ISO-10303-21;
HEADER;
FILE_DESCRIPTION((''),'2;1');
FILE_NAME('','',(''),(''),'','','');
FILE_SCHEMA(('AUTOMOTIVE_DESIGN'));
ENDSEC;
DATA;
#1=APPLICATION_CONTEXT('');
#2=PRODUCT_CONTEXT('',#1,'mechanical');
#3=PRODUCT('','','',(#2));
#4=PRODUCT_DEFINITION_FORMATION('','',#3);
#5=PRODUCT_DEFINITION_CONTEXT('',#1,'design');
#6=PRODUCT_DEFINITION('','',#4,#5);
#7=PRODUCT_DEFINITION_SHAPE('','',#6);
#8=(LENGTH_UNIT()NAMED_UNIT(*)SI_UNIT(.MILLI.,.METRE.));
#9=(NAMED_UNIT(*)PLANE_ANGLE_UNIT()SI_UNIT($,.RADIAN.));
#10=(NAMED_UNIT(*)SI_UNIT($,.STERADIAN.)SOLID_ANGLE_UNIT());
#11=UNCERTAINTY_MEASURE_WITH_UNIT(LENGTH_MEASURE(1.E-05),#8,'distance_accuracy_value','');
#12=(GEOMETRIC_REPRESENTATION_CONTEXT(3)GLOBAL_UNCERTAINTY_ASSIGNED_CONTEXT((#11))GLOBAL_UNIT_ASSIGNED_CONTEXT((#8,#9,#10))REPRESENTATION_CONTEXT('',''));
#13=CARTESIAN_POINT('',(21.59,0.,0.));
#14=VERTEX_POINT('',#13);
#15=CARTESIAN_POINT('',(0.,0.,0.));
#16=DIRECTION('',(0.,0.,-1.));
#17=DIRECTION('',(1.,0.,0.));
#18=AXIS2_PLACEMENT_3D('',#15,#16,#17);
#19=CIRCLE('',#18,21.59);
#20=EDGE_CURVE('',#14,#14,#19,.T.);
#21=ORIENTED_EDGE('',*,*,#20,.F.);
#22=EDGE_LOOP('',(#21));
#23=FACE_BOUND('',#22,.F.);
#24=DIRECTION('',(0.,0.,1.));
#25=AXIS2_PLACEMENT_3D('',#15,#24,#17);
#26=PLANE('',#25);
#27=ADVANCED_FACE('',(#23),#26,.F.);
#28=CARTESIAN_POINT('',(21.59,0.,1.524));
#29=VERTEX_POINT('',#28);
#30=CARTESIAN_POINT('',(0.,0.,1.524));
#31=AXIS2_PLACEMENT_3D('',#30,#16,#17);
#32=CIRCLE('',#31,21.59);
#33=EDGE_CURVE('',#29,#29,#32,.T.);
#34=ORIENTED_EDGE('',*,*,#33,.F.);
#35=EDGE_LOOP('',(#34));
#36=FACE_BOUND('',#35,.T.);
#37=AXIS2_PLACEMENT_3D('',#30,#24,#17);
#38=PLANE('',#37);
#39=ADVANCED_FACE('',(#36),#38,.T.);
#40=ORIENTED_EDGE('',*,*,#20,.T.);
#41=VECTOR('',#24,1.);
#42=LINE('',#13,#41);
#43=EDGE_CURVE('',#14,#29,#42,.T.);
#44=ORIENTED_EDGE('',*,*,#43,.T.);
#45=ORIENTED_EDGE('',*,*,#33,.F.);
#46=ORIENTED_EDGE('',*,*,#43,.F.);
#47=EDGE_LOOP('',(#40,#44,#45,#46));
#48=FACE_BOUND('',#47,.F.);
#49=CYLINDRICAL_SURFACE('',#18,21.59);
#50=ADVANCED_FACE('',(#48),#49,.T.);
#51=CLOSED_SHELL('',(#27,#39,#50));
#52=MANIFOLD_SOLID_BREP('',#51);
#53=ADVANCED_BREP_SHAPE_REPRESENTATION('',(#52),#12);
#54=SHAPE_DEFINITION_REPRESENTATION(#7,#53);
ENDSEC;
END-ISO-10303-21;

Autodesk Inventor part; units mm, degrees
ref_plane "YZ Plane" through (0, 0, 0) normal (1, 0, 0) x (0, 1, 0)
ref_plane "XZ Plane" through (0, 0, 0) normal (0, 1, 0) x (-1, 0, 0)
sketch "Sketch1" plane through (0, 0, 0) normal (0, 0, 1) x (1, 0, 0)
  circle A0 centre (0, 0) radius 14.351 projected
  circle A1 centre (0, 0) radius 82.55 projected
  circle A2 centre (0, 0) radius 21.59
  circle A3 centre (0, -51.435) radius 29.845
  circle A4 centre (0, 0) radius 81.28
  point P0 (0, -21.59)
  dimension "d0" = 162.56
  dimension "d1" = 43.18
ref_plane "Work Plane1" through (-15.4305, -15.4305, 1.524) normal (0, 0, 1) x (1, 0, 0)
extrude "Extrusion1" add sketch "Sketch1" along normal up to surface (1.524 mm away) contours A0 | A2
properties part number "GearsTest"
